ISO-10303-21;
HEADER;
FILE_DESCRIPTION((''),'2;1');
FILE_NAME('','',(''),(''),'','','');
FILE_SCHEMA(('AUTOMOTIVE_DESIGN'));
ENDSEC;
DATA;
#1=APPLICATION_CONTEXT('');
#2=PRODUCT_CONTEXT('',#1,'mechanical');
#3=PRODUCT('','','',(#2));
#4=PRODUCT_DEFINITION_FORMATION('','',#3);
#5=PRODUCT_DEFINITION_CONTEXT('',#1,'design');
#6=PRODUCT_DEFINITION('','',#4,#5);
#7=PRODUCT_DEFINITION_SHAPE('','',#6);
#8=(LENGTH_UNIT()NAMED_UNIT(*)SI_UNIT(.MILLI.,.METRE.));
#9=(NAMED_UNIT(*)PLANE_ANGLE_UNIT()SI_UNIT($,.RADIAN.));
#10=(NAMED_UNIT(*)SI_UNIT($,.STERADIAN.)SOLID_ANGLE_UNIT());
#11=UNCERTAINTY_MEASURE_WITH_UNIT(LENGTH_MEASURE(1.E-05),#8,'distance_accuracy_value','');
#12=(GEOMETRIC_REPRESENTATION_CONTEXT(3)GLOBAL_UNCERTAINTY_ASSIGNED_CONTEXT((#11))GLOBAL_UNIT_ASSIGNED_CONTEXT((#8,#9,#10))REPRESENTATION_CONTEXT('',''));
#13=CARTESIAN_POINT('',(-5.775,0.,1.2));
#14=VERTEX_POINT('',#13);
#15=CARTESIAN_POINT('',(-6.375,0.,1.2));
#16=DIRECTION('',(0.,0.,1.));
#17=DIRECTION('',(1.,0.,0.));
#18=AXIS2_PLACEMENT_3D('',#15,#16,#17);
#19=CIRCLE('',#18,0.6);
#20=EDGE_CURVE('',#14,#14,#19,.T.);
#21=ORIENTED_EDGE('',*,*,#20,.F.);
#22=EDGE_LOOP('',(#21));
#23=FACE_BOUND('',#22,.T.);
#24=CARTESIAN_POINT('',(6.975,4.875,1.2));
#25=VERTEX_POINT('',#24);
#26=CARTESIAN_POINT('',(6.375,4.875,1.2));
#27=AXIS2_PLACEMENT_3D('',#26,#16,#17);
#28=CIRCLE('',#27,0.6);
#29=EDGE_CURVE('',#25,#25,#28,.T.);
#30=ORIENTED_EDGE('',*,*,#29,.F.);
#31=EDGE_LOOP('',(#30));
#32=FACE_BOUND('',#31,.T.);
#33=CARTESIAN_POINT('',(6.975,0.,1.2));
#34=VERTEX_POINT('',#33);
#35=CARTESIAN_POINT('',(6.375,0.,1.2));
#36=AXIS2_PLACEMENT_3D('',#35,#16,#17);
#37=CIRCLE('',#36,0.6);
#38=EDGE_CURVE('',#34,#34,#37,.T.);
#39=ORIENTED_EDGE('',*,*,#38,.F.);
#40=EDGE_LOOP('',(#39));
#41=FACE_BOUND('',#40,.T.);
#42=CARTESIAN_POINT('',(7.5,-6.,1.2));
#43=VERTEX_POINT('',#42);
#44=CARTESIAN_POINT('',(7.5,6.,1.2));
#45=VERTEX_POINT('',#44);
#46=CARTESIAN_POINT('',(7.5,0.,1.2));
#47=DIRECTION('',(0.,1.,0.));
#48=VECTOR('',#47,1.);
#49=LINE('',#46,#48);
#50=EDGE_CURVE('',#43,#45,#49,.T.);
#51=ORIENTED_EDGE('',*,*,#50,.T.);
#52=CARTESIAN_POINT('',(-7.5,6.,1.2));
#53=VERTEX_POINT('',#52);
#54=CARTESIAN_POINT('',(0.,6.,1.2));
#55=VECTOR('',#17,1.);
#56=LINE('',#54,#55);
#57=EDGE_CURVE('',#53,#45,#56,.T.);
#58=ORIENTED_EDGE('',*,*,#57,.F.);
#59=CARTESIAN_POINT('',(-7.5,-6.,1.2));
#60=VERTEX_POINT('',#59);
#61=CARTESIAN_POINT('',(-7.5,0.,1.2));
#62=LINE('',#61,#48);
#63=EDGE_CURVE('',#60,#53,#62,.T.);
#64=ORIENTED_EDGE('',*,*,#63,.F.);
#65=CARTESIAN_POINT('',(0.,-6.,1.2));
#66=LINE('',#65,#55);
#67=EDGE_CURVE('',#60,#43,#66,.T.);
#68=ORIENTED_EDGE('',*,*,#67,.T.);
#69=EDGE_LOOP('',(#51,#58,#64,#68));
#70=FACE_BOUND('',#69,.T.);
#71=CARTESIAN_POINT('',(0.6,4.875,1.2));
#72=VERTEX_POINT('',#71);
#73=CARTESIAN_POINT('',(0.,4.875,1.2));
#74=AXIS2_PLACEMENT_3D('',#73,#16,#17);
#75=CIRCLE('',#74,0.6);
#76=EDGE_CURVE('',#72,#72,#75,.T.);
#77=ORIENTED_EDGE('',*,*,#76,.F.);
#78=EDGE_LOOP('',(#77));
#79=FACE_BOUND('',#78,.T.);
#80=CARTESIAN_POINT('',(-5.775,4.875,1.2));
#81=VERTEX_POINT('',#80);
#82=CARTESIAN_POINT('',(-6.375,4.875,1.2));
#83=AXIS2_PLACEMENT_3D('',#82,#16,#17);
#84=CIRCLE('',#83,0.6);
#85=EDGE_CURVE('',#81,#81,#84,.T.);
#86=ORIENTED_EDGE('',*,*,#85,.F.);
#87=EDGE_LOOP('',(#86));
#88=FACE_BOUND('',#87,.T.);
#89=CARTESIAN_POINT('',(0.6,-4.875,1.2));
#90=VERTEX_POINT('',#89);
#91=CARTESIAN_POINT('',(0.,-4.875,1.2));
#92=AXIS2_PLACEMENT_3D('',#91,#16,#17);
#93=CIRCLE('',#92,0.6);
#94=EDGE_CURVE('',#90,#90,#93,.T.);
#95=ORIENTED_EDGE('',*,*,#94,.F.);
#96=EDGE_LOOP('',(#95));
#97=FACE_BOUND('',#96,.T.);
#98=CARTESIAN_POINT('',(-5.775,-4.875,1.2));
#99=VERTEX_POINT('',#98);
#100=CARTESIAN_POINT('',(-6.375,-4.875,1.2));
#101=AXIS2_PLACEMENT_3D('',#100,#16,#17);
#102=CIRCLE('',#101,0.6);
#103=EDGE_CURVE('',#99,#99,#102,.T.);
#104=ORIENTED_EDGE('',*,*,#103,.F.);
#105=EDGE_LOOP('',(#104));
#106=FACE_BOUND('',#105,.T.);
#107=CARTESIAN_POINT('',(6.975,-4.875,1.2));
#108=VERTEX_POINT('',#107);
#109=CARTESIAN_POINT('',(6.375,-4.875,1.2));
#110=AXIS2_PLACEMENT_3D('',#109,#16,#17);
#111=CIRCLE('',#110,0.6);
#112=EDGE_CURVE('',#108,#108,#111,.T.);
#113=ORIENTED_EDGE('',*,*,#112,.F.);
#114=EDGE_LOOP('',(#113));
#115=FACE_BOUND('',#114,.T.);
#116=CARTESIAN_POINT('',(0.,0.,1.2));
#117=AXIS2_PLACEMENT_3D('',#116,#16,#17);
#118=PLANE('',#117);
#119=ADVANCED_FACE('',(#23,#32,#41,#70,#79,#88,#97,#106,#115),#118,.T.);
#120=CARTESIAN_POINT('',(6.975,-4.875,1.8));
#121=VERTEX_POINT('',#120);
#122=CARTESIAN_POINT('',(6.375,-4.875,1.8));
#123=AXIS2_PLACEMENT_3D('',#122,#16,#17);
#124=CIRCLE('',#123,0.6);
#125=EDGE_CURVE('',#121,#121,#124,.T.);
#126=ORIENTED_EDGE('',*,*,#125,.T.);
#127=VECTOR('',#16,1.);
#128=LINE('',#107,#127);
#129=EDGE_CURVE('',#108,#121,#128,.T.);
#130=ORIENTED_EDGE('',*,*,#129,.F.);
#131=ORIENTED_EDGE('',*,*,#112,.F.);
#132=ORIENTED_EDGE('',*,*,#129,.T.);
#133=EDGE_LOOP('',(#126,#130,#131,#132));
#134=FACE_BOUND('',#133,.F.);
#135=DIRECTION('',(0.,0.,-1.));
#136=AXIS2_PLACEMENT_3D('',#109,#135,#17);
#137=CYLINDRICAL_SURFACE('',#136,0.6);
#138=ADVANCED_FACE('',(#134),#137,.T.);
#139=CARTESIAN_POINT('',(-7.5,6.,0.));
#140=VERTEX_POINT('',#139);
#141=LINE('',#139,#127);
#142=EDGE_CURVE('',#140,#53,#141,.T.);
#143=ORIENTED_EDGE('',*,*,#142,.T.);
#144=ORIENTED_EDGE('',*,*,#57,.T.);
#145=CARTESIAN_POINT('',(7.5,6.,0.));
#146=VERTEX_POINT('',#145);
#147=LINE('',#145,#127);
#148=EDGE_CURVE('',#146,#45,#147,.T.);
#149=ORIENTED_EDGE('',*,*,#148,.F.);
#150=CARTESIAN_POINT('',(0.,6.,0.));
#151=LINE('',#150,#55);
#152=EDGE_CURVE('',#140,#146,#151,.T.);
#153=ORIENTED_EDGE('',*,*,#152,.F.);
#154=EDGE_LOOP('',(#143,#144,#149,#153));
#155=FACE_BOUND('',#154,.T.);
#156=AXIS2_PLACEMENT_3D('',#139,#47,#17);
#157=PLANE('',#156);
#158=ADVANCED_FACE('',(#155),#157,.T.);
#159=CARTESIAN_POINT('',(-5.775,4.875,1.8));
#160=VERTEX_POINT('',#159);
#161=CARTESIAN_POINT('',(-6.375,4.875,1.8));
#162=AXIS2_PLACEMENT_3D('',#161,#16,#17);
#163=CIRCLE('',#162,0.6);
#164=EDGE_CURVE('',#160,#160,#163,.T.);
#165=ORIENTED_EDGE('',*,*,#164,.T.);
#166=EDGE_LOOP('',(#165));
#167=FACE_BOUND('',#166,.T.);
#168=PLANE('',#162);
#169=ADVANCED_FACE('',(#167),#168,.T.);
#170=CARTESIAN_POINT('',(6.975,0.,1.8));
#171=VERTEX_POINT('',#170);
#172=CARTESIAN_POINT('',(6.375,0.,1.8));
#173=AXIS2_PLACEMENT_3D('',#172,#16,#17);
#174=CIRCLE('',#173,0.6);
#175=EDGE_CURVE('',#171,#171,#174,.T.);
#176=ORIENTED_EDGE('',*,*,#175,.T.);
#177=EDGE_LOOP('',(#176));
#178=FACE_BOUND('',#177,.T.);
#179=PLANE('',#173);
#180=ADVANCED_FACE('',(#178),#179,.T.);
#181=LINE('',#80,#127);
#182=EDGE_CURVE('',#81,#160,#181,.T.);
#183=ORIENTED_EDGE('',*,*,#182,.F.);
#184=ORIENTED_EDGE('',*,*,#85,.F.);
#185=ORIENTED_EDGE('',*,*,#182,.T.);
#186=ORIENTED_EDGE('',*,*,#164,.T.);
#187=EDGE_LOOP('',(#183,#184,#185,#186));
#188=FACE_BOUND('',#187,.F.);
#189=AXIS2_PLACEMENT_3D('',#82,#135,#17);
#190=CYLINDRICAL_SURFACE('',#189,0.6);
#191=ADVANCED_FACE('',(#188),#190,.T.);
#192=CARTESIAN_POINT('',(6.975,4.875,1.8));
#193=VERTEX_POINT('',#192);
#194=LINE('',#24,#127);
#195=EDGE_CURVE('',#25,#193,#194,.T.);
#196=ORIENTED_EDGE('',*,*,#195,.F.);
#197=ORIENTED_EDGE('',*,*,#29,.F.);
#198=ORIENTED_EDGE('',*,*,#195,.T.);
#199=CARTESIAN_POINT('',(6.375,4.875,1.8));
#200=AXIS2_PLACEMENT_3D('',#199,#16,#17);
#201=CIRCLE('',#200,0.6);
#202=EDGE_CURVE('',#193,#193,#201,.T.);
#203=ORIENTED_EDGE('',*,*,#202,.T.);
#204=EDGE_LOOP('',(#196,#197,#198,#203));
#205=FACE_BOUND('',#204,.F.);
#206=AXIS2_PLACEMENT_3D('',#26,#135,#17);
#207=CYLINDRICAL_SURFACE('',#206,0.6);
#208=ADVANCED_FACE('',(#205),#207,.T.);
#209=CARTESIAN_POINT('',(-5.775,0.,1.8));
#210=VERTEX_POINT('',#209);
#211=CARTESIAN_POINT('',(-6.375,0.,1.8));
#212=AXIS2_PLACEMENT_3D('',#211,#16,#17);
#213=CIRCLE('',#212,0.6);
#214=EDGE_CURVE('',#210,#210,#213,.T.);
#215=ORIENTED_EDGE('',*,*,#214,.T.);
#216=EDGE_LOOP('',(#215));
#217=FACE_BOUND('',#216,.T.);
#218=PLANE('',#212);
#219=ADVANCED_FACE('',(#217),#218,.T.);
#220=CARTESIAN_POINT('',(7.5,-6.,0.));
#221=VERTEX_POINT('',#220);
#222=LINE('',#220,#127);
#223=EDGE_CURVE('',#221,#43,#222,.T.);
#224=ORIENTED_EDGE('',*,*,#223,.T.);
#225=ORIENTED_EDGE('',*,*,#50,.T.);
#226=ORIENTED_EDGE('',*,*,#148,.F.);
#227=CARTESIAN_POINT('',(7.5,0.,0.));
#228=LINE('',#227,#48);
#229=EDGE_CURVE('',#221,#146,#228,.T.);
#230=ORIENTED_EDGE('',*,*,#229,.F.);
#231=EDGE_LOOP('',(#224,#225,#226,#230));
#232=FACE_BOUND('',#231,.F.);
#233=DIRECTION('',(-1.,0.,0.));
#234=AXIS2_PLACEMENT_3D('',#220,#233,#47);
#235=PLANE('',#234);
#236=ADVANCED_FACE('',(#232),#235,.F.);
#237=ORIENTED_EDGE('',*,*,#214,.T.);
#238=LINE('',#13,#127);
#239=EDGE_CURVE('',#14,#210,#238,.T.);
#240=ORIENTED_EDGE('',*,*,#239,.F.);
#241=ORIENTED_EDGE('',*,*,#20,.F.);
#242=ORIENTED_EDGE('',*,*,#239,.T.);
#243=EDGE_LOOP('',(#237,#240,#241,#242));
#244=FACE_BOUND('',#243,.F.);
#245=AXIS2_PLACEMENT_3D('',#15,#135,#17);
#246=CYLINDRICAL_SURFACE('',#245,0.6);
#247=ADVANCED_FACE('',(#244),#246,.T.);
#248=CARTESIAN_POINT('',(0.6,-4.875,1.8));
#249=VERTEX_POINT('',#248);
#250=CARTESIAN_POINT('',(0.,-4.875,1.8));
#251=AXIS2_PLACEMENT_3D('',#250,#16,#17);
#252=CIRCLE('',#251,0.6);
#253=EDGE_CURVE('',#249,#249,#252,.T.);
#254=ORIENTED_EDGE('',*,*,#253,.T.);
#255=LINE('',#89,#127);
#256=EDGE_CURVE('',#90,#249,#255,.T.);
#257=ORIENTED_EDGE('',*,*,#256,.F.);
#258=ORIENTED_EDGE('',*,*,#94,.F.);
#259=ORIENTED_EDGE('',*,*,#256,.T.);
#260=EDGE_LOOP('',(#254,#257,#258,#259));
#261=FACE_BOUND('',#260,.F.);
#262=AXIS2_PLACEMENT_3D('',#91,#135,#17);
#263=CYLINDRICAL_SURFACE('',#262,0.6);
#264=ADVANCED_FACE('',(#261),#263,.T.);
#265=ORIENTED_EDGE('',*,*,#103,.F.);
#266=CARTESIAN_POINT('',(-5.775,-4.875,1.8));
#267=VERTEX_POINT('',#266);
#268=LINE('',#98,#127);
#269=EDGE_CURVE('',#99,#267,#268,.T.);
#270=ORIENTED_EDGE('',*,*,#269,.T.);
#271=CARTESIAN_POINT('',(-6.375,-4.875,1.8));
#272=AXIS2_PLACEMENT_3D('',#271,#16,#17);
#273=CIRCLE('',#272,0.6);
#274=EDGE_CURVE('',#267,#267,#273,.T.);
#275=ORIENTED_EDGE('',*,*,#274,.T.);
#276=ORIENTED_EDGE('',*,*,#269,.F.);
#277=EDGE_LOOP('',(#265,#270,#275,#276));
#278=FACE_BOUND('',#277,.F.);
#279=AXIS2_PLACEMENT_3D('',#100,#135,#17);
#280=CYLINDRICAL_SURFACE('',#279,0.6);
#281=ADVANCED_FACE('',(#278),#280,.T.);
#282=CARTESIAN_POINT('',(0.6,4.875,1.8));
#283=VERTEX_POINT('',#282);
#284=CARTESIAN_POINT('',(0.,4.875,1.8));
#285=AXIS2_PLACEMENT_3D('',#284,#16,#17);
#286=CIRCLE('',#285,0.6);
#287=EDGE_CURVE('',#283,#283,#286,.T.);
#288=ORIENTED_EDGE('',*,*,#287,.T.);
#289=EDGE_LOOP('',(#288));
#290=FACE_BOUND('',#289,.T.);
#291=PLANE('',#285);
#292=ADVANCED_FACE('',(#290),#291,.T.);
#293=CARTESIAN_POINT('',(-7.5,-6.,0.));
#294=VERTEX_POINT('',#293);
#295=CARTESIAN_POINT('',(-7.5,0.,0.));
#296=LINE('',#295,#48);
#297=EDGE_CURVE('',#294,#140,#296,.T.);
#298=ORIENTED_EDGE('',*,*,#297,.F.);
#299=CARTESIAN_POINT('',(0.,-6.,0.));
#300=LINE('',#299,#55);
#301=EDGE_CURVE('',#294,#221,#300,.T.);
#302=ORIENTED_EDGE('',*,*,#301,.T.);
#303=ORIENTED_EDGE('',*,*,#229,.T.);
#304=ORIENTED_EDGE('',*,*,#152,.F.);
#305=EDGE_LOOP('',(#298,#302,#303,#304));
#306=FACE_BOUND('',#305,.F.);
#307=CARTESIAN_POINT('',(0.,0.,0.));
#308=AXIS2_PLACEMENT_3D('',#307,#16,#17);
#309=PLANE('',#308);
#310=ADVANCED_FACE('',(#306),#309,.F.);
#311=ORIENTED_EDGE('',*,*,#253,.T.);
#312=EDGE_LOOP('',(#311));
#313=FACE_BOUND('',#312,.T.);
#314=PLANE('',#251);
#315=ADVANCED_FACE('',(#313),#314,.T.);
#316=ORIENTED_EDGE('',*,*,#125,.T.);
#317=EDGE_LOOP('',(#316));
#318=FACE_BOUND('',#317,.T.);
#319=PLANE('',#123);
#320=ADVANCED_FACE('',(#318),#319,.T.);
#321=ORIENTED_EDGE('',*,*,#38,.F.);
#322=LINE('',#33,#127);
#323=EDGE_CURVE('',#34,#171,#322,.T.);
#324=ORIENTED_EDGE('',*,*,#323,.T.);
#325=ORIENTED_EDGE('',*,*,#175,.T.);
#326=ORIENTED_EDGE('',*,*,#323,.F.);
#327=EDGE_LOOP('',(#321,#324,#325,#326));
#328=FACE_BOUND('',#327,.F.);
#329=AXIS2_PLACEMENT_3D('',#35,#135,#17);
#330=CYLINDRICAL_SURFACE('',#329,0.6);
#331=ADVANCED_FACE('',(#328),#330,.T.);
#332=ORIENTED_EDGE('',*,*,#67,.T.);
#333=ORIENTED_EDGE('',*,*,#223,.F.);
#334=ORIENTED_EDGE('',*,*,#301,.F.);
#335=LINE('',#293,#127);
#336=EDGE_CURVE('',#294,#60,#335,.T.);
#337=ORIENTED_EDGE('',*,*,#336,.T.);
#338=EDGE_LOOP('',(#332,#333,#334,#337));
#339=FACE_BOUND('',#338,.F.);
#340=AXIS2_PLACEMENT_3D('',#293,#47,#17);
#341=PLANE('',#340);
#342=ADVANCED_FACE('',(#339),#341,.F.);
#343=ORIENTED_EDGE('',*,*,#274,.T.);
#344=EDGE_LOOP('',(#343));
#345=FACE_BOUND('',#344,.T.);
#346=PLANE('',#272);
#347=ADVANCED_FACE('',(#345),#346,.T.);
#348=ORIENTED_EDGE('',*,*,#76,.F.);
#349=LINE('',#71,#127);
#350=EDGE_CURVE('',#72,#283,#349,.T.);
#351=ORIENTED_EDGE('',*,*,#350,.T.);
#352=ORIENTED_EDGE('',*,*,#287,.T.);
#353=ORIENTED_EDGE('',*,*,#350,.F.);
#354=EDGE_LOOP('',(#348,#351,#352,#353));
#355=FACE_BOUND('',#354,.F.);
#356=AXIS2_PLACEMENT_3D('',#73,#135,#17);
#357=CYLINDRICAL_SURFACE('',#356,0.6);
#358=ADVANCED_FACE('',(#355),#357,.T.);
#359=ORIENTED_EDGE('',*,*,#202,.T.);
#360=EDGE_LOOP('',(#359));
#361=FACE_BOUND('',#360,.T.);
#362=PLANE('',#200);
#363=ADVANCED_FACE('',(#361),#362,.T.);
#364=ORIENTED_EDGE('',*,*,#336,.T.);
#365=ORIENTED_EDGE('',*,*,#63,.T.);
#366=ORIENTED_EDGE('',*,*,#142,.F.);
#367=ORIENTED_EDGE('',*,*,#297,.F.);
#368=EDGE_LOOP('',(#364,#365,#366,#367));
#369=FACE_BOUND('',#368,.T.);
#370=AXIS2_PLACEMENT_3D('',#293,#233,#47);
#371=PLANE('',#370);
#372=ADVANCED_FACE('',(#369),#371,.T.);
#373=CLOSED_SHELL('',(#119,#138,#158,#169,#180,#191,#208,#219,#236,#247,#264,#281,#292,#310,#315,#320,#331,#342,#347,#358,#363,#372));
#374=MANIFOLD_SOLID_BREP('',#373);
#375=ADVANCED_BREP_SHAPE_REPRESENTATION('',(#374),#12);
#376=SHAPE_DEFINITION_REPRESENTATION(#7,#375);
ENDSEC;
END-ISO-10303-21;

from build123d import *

# Parameters (mm, degrees)
F1_W     = 15
F1_H     = 12
F2_DEPTH = 1.2
F3_R     = 0.6
F4_DEPTH = 0.6


with BuildPart() as f2:
    # F1 (on Top) → F2 (new body)
    with BuildSketch(Plane.XY):
        Rectangle(F1_W, F1_H)
    extrude(amount=F2_DEPTH)

    # F3 (on face) → F4 (join)
    with BuildSketch(Plane.XY.offset(1.2)):
        with Locations((-6.375, 4.875)):
            Circle(F3_R)
        with Locations((-6.375, 0)):
            Circle(F3_R)
        with Locations((-6.375, -4.875)):
            Circle(F3_R)
        with Locations((0, 4.875)):
            Circle(F3_R)
        with Locations((6.375, 4.875)):
            Circle(F3_R)
        with Locations((6.375, 0)):
            Circle(F3_R)
        with Locations((6.375, -4.875)):
            Circle(F3_R)
        with Locations((0, -4.875)):
            Circle(F3_R)
    extrude(amount=F4_DEPTH)


solid = f2.part
